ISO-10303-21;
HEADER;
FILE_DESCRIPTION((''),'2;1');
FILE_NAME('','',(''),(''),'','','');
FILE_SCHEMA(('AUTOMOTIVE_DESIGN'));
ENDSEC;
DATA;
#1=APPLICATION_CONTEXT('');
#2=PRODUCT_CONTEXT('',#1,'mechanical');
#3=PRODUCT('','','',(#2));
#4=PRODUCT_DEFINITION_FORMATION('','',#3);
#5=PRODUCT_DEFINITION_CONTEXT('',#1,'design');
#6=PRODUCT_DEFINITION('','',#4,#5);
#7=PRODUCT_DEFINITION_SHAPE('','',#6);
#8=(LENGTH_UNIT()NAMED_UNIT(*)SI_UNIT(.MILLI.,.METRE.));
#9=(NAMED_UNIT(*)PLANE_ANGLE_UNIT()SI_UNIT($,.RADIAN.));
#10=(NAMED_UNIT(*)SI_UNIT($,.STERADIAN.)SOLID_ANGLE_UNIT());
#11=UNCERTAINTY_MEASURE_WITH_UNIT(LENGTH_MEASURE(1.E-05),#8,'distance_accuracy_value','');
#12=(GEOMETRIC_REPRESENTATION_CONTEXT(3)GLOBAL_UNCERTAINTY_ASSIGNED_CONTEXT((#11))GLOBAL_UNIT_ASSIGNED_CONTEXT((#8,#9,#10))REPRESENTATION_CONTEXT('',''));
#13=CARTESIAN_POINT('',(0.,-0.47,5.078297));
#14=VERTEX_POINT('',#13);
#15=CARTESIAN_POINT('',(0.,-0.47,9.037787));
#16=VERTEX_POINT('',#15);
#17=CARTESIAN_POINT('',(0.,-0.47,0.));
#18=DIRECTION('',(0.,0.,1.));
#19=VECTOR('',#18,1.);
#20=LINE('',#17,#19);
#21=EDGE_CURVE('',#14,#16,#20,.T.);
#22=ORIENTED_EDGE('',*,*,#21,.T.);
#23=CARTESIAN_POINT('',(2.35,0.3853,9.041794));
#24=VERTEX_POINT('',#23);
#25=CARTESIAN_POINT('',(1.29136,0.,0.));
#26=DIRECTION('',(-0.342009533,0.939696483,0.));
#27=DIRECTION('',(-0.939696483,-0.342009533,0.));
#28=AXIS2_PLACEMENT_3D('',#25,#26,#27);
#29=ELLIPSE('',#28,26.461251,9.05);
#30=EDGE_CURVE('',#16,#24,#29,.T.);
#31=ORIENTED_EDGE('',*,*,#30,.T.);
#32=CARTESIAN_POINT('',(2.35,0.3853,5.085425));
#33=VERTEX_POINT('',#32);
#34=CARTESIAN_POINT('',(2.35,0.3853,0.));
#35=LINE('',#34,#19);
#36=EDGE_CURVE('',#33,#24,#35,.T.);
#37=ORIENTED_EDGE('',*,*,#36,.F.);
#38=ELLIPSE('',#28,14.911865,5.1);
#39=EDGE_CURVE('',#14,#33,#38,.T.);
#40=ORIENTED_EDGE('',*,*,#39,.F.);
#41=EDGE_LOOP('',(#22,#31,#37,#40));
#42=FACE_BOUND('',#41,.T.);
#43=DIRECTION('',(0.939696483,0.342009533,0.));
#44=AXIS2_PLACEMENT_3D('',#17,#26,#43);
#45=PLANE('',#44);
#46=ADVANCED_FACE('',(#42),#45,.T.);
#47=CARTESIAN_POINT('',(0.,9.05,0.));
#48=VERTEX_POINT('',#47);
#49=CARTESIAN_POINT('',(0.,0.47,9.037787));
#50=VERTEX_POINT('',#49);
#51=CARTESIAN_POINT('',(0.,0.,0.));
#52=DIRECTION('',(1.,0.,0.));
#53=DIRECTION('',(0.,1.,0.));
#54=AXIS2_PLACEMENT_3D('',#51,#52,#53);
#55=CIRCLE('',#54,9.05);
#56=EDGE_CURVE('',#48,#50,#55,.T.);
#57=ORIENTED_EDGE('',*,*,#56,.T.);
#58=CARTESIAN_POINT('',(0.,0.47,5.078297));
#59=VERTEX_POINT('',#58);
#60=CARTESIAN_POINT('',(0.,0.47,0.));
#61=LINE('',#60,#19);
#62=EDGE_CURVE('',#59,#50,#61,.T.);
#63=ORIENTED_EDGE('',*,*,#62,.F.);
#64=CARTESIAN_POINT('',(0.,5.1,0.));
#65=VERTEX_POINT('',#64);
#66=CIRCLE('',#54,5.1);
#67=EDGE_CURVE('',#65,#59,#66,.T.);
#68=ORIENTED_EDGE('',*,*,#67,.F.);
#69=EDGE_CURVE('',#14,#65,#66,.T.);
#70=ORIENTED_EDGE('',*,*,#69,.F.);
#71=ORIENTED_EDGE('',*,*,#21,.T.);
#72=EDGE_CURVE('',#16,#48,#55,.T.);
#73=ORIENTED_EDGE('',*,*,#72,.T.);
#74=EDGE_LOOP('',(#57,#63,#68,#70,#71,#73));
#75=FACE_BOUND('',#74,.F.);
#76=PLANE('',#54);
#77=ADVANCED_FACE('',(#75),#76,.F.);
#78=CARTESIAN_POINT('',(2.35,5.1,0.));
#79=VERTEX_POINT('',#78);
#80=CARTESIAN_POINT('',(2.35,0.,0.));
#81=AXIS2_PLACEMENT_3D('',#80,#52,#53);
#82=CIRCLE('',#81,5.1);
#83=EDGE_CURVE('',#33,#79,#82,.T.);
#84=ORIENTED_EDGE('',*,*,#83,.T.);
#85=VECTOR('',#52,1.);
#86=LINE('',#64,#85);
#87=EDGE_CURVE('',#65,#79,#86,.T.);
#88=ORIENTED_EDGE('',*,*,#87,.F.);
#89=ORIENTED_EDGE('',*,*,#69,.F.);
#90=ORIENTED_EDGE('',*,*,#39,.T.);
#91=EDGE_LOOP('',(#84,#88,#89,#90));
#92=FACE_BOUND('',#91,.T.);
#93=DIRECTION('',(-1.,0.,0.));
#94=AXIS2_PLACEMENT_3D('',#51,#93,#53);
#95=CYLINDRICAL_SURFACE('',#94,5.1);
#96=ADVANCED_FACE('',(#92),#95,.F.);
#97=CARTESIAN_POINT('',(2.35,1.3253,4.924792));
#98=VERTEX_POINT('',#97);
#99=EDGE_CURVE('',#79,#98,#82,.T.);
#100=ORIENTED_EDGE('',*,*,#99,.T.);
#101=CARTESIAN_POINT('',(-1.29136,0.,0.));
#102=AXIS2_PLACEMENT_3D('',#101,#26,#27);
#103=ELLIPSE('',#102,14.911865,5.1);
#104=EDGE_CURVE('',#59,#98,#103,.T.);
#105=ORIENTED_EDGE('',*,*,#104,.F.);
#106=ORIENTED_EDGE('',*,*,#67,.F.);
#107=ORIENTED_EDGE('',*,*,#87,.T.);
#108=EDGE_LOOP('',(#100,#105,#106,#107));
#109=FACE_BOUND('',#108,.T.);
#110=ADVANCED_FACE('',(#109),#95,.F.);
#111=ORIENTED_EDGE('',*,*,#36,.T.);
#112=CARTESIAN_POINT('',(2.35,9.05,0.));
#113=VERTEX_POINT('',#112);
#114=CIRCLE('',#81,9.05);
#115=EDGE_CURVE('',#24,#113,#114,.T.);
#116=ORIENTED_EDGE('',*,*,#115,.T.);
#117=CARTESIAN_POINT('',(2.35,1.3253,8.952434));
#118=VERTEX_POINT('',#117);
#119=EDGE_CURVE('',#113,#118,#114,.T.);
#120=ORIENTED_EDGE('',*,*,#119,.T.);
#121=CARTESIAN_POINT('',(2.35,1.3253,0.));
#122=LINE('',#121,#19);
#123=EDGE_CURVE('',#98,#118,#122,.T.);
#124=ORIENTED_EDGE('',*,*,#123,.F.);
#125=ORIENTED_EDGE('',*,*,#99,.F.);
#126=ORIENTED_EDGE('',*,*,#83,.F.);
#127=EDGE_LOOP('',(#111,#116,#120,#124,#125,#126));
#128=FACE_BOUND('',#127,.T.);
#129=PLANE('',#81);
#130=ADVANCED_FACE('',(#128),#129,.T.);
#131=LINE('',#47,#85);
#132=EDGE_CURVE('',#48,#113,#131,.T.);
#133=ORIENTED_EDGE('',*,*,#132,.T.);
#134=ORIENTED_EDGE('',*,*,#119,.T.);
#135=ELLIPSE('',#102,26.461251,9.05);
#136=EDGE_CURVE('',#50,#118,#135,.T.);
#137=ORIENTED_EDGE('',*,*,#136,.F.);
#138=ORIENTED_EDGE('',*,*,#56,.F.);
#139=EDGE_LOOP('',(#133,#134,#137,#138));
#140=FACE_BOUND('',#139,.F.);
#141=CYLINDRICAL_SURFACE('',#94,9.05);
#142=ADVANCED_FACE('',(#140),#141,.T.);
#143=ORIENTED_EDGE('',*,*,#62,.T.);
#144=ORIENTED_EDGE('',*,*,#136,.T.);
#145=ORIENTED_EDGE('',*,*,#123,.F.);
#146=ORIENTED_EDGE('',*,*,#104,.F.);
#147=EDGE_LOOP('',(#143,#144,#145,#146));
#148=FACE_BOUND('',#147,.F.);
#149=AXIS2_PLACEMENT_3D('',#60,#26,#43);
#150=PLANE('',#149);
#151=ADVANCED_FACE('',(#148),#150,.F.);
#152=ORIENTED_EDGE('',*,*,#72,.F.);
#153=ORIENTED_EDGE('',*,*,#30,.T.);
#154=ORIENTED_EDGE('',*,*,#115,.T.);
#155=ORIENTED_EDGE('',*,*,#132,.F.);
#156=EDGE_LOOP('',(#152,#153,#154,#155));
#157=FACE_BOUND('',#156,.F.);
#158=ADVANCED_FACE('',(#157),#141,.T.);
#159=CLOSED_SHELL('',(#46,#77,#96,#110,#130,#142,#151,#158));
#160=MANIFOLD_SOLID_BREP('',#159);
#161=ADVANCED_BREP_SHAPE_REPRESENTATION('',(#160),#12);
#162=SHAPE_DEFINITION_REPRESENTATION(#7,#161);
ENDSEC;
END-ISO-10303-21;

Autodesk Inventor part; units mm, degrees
ref_plane "YZ Plane" through (0, 0, 0) normal (1, 0, 0) x (0, 1, 0)
ref_plane "XZ Plane" through (0, 0, 0) normal (0, 1, 0) x (-1, 0, 0)
sketch "Sketch1" plane through (0, 0, 0) normal (1, 0, 0) x (0, 1, 0)
  circle A0 centre (0, 0) radius 9.05
  circle A1 centre (0, 0) radius 5.1
  dimension "d0" = 10.2
  dimension "d1" = 18.1
extrude "Body" add sketch "Sketch1" along normal blind 2.35
sketch "Sketch2" plane through (0, 0, 0) normal (0, 0, 1) x (1, 0, 0)
  line L0 (0, -5.1) -> (0, 5.1) projected
  line L1 (2.35, 9.05) -> (2.35, -9.05) projected
  line L2 (-1.2, 0) -> (7.2, 0) projected
  line L3 (0, -0.47) -> (2.35, 0.3853)
  line L4 (0, 0.47) -> (2.35, 1.3253)
  dimension "d4" = 0.47
  dimension "d5" = 0.47
  dimension "d6" = 70
extrude "Cut" cut sketch "Sketch2" along normal up to next contours L0 L2 L3 | L0 L4 L1 L3 L2
ref_plane "Work Plane1" through (0, 0, 0) normal (0, -1, 0) x (1, 0, 0)
equation "\"d0\" = SD1"
equation "\"d1\" = SD2"
equation "\"d2\" = SD"
equation "\"d4\" = 0.2 * SD"
equation "\"d5\" = 0.2 * SD"
equation "\"d6\" = FAWI"
equation "\"d7\" = SD"
equation "\"SD1\" = 10.2"
equation "\"SD2\" = 18.1"
equation "\"SD\" = 2.35"
equation "\"FAWI\" = 70deg"
properties part number "AS 1968 - 1976 - 10" material "Steel, Mild"
